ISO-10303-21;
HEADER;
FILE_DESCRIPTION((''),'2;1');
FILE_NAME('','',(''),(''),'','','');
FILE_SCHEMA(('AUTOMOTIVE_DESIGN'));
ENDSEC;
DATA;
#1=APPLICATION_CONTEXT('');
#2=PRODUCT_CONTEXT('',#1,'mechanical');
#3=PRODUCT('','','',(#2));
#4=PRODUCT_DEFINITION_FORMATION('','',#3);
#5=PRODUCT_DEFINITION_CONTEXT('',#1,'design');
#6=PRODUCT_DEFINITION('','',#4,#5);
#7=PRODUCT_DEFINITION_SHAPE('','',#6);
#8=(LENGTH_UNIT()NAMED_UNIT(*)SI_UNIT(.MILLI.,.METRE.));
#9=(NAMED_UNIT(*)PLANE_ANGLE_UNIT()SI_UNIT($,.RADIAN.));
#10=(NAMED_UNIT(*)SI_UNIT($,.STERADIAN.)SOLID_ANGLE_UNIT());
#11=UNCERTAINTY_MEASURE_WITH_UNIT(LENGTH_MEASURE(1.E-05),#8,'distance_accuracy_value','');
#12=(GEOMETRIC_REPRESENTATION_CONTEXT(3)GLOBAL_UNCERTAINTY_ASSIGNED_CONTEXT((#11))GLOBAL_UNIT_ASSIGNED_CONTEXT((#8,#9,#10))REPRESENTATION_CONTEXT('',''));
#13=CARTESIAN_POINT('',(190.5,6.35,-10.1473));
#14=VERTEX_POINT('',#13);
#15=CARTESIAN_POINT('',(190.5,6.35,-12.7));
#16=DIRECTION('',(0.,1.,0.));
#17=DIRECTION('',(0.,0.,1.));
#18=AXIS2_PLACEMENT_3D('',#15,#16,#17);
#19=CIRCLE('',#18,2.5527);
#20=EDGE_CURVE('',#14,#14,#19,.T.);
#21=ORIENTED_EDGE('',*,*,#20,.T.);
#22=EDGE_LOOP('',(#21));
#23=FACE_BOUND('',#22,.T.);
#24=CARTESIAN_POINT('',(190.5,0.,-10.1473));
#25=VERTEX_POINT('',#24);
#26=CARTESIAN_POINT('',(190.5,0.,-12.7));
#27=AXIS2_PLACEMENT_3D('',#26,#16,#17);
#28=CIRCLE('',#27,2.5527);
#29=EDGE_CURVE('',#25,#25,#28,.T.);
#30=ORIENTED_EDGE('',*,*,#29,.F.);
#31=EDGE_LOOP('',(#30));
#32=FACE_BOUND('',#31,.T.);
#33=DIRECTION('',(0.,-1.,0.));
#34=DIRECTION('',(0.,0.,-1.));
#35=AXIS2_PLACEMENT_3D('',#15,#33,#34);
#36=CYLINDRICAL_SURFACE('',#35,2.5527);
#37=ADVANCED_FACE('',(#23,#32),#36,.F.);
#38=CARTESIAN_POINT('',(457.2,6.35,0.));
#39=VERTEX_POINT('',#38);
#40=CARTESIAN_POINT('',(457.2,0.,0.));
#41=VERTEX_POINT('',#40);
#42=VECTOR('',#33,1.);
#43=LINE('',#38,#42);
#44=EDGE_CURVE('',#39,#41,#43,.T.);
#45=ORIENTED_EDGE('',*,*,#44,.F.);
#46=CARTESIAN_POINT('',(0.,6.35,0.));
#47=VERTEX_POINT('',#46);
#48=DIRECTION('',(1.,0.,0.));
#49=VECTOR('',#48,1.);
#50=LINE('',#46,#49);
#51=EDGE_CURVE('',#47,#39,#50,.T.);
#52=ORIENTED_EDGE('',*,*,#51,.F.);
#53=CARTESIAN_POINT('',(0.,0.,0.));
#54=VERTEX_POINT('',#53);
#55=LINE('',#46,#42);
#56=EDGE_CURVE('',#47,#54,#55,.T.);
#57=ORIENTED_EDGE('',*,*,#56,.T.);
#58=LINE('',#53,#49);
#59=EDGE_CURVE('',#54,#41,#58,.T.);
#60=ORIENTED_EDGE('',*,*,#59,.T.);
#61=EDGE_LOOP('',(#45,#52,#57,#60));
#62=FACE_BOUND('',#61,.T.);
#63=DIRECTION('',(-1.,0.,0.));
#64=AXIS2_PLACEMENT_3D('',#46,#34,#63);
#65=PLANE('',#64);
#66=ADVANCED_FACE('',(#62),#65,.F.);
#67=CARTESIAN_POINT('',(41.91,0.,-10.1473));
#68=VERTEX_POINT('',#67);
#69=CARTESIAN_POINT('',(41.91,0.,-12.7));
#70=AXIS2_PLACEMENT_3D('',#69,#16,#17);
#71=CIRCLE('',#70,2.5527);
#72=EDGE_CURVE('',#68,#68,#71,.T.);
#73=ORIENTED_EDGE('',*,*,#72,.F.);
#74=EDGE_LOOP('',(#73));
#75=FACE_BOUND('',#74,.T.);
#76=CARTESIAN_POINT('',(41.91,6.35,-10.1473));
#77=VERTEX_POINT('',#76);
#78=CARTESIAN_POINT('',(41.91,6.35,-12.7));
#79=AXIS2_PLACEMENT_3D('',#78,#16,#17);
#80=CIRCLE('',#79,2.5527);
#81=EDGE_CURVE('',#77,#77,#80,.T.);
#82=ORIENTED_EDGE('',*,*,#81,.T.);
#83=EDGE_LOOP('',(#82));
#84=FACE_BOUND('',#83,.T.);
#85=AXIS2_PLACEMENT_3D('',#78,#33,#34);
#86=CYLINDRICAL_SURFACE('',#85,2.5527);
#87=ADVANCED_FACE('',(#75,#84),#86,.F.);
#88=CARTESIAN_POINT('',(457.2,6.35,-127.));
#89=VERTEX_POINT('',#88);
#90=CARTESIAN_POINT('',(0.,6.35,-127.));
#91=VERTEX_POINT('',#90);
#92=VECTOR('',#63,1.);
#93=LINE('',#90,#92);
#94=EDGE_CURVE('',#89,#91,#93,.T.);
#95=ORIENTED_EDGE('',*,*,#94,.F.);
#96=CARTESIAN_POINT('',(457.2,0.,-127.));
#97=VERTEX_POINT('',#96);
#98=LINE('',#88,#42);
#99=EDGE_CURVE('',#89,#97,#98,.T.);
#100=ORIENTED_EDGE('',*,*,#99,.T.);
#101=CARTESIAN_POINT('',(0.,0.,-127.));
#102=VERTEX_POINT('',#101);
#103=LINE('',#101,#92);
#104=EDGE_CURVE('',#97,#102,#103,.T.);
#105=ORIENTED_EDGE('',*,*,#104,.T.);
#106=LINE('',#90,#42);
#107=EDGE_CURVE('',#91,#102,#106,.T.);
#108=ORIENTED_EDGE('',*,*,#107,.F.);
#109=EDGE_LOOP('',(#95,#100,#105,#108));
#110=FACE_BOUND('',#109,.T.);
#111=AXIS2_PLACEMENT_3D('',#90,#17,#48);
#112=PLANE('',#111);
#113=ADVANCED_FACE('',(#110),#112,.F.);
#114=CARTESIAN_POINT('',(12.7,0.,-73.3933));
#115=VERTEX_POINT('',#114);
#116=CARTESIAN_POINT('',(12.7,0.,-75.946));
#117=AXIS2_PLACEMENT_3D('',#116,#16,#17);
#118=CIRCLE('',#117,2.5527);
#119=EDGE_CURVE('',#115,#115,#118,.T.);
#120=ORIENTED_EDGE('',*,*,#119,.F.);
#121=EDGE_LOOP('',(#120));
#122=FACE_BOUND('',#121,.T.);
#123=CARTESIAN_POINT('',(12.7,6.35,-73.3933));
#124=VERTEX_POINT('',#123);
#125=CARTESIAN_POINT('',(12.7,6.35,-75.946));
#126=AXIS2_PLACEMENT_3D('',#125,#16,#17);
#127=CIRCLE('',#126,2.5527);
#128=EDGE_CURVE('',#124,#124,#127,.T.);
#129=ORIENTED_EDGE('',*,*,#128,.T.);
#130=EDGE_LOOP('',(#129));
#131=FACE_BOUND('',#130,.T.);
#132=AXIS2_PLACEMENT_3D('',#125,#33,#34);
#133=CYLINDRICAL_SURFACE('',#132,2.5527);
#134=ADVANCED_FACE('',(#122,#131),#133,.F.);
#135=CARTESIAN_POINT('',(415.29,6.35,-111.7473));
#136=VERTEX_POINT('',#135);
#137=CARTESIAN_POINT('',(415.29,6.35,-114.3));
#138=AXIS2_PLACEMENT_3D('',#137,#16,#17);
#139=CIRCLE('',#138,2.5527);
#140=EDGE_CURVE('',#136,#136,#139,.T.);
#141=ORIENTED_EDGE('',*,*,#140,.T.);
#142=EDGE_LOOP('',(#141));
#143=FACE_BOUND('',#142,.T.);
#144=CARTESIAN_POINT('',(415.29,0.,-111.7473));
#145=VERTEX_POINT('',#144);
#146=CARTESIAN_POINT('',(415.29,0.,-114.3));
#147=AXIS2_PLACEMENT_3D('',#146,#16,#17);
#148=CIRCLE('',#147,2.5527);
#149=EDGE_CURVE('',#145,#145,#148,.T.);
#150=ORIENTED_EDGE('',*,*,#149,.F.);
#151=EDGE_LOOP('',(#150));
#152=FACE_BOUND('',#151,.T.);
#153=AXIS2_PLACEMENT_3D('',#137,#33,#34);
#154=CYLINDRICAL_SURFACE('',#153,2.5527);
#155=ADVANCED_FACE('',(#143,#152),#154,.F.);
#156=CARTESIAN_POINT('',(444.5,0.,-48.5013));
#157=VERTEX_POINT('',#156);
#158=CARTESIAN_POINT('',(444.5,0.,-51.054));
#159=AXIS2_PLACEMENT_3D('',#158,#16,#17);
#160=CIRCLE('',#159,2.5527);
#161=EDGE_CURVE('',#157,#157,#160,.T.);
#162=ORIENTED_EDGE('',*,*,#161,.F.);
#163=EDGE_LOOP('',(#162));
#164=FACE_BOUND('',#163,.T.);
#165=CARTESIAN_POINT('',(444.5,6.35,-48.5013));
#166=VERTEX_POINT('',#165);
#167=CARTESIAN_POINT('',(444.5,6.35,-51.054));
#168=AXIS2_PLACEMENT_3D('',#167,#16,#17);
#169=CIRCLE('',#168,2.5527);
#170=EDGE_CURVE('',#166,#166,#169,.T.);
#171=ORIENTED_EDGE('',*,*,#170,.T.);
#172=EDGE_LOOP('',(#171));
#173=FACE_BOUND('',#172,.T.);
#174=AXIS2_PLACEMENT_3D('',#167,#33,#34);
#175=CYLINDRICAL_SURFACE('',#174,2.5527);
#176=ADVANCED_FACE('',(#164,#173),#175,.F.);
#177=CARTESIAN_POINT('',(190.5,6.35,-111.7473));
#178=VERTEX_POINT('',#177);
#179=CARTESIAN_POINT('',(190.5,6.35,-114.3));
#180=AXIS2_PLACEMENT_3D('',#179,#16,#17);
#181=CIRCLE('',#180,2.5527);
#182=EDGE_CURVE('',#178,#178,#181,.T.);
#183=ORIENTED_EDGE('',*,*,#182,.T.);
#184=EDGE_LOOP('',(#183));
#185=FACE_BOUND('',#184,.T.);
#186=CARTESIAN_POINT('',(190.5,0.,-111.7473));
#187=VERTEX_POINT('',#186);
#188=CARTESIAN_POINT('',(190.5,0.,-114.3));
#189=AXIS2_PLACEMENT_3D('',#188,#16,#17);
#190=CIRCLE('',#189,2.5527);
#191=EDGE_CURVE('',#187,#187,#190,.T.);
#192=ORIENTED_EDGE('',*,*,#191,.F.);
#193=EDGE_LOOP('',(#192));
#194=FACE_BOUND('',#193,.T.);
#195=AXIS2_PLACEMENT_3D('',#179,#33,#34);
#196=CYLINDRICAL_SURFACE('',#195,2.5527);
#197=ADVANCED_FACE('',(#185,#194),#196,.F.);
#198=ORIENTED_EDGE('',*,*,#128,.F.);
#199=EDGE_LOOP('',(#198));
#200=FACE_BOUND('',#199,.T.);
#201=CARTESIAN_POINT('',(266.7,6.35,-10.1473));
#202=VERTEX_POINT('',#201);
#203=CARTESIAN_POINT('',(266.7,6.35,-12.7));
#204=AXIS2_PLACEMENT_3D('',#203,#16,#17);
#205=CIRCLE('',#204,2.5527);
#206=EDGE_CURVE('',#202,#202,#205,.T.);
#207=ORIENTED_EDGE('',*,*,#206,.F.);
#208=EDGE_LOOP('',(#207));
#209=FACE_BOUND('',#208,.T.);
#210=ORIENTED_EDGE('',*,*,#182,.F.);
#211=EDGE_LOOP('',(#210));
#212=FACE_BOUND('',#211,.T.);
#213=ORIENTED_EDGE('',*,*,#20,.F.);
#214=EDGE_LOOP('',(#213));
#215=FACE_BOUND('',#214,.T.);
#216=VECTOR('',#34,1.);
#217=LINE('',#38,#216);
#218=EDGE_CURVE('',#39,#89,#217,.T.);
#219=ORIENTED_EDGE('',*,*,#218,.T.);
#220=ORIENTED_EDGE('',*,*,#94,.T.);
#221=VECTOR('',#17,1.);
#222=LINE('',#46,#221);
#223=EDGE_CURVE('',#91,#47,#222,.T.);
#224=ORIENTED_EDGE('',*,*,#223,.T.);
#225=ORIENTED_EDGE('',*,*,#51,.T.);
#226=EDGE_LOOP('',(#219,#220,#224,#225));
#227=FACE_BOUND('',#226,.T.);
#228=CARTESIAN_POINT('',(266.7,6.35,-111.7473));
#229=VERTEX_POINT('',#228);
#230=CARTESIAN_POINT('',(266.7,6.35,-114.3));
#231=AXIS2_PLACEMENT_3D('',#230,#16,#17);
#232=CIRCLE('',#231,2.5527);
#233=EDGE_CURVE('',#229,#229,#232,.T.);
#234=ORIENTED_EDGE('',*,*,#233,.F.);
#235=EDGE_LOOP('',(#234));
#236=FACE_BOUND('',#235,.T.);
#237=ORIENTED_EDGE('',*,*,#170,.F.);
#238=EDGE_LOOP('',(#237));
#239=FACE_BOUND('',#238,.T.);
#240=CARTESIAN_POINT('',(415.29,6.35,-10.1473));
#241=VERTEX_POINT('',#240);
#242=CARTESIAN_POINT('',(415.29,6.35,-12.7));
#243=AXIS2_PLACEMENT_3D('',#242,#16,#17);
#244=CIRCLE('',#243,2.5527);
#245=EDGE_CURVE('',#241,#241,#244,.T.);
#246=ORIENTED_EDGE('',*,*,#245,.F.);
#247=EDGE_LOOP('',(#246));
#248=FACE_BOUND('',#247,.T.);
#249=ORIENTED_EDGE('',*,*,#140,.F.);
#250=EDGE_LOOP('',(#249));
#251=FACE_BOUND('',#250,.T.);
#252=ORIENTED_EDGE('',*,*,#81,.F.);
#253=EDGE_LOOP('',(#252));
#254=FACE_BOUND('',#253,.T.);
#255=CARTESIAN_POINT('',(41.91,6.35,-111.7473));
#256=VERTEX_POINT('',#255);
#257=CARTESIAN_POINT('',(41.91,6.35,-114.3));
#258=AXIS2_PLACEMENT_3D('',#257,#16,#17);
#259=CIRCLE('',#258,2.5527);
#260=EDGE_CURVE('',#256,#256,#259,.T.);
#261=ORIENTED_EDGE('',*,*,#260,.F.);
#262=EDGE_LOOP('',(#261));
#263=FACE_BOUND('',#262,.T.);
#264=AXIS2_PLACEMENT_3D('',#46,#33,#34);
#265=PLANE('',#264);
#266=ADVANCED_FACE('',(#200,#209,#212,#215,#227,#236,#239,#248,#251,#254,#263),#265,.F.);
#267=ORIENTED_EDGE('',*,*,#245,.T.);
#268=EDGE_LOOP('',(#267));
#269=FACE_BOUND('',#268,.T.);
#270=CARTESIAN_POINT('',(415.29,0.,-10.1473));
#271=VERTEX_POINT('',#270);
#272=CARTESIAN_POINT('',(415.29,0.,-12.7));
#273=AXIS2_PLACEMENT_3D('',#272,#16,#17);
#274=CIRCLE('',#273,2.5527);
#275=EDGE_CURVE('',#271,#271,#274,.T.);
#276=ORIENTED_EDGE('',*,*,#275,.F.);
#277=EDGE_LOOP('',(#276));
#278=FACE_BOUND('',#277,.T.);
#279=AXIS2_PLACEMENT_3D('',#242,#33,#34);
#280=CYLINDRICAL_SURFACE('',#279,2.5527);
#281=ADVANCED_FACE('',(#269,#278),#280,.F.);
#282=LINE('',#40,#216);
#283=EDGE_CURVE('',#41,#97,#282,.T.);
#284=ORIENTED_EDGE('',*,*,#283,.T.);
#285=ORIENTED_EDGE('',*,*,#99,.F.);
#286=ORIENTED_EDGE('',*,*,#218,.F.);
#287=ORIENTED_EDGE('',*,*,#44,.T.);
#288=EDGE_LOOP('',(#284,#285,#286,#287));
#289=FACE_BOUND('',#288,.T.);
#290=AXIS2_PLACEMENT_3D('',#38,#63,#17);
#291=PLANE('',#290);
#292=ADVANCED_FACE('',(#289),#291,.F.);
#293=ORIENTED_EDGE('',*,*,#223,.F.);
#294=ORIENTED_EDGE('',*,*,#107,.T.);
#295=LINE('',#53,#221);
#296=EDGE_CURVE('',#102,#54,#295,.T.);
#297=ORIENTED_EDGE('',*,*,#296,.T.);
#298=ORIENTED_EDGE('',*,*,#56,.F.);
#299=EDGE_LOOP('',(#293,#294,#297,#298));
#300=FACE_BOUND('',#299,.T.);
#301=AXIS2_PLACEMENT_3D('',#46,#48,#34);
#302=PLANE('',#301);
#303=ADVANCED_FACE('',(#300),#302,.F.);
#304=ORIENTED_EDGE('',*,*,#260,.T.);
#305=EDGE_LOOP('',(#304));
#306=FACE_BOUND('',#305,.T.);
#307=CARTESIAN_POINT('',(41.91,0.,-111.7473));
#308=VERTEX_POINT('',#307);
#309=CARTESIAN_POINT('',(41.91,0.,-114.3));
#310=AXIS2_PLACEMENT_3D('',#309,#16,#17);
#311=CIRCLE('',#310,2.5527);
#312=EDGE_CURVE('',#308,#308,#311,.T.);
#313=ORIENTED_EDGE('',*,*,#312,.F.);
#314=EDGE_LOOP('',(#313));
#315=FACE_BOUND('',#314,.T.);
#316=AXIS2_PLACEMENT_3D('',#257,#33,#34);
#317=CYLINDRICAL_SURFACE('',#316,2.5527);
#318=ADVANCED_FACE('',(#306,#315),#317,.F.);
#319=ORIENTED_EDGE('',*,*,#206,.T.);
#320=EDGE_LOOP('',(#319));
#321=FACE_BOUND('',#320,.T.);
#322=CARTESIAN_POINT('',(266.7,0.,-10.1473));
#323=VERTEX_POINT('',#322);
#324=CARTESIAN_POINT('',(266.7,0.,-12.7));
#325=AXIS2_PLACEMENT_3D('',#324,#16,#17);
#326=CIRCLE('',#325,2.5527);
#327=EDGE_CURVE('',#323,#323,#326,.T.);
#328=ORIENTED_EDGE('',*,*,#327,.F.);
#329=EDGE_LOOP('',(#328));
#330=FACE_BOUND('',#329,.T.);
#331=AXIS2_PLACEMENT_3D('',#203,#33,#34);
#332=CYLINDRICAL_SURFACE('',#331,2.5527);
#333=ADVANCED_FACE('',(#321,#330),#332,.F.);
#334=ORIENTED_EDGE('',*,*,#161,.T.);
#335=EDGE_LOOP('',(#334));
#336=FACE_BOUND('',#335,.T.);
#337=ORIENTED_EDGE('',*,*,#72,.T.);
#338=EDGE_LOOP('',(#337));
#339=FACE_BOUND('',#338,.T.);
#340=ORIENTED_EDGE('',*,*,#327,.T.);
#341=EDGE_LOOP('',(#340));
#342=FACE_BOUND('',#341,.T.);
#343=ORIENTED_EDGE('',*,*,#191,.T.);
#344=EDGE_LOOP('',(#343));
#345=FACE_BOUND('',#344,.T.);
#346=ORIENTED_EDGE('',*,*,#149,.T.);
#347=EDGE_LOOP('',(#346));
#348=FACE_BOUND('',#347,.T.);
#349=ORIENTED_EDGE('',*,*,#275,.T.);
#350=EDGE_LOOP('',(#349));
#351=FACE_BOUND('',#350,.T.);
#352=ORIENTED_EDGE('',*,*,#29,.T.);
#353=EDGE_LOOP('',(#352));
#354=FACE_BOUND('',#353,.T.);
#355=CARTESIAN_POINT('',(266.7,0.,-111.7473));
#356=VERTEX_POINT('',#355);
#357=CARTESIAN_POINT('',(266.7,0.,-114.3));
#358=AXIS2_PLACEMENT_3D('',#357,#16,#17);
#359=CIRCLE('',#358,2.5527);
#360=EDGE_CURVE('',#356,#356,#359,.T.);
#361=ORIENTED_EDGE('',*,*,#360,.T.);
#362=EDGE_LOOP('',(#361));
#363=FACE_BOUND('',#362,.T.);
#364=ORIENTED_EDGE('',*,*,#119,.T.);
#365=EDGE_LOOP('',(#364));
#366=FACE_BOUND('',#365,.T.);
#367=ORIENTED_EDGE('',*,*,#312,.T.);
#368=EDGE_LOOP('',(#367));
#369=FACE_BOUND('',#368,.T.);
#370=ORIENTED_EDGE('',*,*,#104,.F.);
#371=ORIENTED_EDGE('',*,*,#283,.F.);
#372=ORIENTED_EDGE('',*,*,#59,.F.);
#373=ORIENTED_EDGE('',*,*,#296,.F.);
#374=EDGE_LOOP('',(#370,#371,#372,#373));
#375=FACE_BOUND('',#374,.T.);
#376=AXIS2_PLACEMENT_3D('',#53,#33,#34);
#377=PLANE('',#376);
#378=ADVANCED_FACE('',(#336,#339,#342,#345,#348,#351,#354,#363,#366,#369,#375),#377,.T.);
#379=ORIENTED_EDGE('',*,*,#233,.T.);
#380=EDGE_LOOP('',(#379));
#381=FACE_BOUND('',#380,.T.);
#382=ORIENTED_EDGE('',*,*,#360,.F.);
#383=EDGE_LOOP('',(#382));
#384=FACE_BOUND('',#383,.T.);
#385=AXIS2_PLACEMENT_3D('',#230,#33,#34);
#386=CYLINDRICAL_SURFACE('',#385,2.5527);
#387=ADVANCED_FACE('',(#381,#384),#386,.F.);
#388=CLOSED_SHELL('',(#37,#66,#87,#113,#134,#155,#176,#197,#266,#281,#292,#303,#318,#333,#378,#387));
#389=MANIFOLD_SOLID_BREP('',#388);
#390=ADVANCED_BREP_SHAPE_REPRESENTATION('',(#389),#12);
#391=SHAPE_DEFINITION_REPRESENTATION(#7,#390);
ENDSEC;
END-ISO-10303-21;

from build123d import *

# Parameters (mm, degrees)
SKETCH1_W           = 457.2
SKETCH1_H           = 127
SKETCH1_R           = 2.5527
BOSS_EXTRUDE1_DEPTH = 6.35


with BuildPart() as part:
    # Sketch1 → Boss-Extrude1 (new body)
    with BuildSketch(Plane(origin=(0, 0, 0), x_dir=(1, 0, 0), z_dir=(0, 1, 0))):
        with Locations((228.6, 63.5)):
            Rectangle(SKETCH1_W, SKETCH1_H)
        with Locations(Location((41.91, 114.3, 0), (0, 0, 270))):
            Circle(SKETCH1_R, mode=Mode.SUBTRACT)
        with Locations(Location((415.29, 114.3, 0), (0, 0, 270))):
            Circle(SKETCH1_R, mode=Mode.SUBTRACT)
        with Locations(Location((415.29, 12.7, 0), (0, 0, 270))):
            Circle(SKETCH1_R, mode=Mode.SUBTRACT)
        with Locations(Location((41.91, 12.7, 0), (0, 0, 270))):
            Circle(SKETCH1_R, mode=Mode.SUBTRACT)
        with Locations(Location((190.5, 114.3, 0), (0, 0, 270))):
            Circle(SKETCH1_R, mode=Mode.SUBTRACT)
        with Locations(Location((266.7, 114.3, 0), (0, 0, 270))):
            Circle(SKETCH1_R, mode=Mode.SUBTRACT)
        with Locations(Location((190.5, 12.7, 0), (0, 0, 270))):
            Circle(SKETCH1_R, mode=Mode.SUBTRACT)
        with Locations(Location((266.7, 12.7, 0), (0, 0, 270))):
            Circle(SKETCH1_R, mode=Mode.SUBTRACT)
        with Locations(Location((444.5, 51.054, 0), (0, 0, 270))):
            Circle(SKETCH1_R, mode=Mode.SUBTRACT)
        with Locations(Location((12.7, 75.946, 0), (0, 0, 270))):
            Circle(SKETCH1_R, mode=Mode.SUBTRACT)
    extrude(amount=BOSS_EXTRUDE1_DEPTH)


solid = part.part
